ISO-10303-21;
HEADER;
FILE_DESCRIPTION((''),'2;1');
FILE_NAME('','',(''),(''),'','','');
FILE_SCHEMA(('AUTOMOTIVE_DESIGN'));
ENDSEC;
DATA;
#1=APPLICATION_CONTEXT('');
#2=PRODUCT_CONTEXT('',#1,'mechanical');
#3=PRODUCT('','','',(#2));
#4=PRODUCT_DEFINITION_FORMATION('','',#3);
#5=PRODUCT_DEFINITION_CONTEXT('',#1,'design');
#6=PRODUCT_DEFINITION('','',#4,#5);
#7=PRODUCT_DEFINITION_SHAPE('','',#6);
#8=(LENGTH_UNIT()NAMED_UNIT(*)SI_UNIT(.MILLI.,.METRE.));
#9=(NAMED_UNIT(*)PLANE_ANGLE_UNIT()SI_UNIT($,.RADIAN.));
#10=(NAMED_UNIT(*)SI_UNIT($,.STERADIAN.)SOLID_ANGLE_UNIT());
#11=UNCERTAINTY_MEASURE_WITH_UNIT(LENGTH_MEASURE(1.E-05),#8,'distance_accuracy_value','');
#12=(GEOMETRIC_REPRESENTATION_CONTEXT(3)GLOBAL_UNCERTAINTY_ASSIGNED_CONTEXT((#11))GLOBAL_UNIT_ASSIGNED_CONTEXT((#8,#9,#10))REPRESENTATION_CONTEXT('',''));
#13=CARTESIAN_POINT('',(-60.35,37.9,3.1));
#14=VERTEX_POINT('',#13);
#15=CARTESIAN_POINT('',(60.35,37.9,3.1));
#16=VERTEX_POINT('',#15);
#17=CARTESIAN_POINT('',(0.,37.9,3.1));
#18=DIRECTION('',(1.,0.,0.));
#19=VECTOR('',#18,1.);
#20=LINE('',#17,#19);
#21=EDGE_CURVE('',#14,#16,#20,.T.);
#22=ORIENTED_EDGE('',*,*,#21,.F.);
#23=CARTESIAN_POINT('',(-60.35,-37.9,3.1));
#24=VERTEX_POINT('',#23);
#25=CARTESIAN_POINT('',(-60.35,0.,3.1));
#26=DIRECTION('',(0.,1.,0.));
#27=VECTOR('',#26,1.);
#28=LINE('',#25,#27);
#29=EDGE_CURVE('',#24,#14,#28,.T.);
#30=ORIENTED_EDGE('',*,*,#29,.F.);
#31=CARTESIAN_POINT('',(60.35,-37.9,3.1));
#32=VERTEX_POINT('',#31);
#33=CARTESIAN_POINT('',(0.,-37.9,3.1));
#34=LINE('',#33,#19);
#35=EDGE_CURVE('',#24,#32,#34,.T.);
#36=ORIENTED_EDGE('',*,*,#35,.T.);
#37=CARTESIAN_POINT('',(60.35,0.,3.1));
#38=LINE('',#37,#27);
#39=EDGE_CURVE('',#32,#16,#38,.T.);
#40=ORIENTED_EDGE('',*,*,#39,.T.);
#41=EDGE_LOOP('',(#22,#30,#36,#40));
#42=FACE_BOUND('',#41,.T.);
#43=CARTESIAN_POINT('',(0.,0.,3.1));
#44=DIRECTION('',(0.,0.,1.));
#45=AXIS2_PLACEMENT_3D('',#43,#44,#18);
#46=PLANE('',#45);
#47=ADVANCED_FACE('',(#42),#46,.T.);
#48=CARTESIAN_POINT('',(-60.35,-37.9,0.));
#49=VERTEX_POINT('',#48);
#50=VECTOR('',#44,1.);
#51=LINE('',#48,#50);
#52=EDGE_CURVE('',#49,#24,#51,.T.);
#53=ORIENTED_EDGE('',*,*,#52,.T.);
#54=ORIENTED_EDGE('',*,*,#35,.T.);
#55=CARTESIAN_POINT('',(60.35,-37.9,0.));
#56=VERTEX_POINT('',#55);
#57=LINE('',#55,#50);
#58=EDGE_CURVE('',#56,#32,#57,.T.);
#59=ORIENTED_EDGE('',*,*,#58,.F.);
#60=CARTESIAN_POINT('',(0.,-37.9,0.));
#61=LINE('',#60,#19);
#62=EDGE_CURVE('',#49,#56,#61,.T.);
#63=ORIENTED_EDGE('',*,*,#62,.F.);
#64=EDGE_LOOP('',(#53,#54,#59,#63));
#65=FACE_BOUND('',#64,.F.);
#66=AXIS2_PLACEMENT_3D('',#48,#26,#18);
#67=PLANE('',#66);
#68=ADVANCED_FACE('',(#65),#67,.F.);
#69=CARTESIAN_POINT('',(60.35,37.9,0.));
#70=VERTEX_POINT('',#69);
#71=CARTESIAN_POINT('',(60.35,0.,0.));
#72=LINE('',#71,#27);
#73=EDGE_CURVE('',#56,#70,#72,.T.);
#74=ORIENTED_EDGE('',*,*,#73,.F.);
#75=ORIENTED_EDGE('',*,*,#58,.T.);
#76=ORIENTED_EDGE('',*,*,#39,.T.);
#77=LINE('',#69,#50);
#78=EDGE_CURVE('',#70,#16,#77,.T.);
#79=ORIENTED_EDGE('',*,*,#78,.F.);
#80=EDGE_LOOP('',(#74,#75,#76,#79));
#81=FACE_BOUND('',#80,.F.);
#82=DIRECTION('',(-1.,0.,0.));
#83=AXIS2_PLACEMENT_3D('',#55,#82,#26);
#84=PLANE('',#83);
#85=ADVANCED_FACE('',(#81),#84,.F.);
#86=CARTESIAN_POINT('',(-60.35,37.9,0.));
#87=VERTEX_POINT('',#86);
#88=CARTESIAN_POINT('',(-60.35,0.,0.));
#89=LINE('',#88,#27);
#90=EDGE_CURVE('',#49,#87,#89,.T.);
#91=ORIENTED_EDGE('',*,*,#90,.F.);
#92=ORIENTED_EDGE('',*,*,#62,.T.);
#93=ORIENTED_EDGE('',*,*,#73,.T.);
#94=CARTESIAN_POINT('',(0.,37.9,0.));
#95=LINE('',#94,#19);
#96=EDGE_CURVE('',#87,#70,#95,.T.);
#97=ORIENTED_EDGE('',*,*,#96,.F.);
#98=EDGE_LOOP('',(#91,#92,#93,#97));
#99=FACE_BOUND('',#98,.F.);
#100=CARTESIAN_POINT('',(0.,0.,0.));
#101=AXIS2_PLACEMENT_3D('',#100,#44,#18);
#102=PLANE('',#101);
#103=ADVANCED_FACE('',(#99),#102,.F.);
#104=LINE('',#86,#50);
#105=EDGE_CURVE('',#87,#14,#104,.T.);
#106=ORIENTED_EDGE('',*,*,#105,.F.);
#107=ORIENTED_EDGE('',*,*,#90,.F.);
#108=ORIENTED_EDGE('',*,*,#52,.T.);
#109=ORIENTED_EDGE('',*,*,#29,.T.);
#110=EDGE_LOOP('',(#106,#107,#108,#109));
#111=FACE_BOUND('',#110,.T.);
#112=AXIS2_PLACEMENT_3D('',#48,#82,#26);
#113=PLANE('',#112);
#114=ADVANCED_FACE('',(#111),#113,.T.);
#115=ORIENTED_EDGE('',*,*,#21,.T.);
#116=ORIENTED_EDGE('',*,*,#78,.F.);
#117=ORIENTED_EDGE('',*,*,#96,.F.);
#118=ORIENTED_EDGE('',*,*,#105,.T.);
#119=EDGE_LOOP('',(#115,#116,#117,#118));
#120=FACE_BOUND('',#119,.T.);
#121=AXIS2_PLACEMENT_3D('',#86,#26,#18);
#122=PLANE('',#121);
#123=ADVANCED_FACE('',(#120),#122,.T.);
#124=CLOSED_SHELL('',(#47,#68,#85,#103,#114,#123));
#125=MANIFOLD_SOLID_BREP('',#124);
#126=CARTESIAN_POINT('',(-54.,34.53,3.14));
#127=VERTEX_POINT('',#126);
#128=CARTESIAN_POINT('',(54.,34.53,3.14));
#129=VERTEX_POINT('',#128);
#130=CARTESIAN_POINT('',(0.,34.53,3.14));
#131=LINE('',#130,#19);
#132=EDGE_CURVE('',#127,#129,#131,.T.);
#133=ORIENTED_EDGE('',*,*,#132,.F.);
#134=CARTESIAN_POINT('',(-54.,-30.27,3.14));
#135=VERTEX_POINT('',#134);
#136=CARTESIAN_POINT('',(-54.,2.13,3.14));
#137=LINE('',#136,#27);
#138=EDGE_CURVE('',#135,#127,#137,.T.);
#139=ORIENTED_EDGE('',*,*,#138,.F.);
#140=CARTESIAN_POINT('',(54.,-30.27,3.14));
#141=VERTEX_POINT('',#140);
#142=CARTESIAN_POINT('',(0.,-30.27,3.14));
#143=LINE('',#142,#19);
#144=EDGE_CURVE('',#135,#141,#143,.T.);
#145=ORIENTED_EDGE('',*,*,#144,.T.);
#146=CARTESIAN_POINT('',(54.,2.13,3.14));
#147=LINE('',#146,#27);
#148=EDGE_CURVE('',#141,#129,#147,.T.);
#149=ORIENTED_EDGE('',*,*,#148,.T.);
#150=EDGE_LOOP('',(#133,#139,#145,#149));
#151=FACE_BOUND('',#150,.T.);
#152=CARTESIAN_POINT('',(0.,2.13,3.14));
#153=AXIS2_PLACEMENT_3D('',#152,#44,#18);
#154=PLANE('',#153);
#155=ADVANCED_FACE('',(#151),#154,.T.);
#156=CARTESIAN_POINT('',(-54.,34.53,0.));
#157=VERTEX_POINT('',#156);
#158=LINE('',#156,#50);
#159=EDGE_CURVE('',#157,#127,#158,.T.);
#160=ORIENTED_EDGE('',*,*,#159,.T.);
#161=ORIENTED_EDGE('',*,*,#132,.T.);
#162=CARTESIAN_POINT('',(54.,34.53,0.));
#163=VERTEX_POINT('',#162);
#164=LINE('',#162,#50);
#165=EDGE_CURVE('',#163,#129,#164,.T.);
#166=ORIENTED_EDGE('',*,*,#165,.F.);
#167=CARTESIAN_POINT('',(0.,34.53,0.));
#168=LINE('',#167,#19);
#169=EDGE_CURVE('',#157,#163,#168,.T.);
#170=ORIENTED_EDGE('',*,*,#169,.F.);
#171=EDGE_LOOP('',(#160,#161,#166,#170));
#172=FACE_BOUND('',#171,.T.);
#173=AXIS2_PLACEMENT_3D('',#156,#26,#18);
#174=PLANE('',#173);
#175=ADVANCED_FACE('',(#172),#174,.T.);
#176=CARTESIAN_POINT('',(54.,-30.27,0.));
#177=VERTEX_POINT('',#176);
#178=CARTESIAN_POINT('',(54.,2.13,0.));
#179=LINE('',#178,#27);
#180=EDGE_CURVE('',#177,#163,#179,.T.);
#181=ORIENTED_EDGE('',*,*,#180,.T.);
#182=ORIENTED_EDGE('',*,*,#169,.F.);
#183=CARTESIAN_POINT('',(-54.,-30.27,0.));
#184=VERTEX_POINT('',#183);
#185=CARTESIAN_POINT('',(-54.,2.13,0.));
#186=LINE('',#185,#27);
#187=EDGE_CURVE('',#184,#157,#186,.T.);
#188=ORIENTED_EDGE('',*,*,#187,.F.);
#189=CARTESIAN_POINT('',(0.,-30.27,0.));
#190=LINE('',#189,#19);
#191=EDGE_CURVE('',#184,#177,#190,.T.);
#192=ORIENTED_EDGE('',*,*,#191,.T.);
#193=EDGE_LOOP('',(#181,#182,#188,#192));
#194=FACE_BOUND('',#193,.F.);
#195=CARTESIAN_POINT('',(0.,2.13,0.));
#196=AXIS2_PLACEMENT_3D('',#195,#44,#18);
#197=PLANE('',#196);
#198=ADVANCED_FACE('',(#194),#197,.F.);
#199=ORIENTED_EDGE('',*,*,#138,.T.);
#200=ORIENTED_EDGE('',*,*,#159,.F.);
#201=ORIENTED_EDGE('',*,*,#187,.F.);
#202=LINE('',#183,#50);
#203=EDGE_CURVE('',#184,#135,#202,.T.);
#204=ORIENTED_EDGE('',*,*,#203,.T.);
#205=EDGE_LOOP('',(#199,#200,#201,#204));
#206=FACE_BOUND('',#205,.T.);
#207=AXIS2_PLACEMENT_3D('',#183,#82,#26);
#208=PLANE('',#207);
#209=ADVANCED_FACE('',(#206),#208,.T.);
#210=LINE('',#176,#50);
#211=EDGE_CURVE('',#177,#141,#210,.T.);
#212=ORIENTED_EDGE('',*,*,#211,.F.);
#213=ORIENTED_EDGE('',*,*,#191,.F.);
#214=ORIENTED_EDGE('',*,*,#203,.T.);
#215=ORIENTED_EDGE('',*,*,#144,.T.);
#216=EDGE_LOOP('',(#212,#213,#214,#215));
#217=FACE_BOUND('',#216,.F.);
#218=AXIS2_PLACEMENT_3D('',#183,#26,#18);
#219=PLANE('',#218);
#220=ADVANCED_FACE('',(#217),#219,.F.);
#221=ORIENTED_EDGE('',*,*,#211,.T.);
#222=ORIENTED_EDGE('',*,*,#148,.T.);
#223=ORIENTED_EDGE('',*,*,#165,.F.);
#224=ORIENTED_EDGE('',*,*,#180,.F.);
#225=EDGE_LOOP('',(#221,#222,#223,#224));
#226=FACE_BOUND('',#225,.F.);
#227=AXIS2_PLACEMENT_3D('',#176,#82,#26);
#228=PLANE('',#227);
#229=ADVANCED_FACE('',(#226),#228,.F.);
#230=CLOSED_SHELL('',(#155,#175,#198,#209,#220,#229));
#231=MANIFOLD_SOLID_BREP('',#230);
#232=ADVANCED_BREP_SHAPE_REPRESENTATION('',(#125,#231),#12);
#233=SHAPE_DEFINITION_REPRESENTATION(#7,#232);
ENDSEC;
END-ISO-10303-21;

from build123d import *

# Parameters (mm, degrees)
F0_W     = 120.7
F0_H     = 75.8
F0_W_2   = 108
F0_H_2   = 64.8
F1_DEPTH = 3.1
F2_DEPTH = 3.14


with BuildPart() as f1:
    # F0 (on Top) → F1 (new body)
    with BuildSketch(Plane.XY):
        Rectangle(F0_W, F0_H)
        with Locations((0, 2.13)):
            Rectangle(F0_W_2, F0_H_2, mode=Mode.SUBTRACT)
        with Locations((0, 2.13)):
            Rectangle(F0_W_2, F0_H_2)
    extrude(amount=F1_DEPTH)


with BuildPart() as f2:
    # F0 (on Top) → F2 (new body)
    with BuildSketch(Plane.XY):
        with Locations((0, 2.13)):
            Rectangle(F0_W_2, F0_H_2)
    extrude(amount=F2_DEPTH)


solid = Compound([f1.part, f2.part])
